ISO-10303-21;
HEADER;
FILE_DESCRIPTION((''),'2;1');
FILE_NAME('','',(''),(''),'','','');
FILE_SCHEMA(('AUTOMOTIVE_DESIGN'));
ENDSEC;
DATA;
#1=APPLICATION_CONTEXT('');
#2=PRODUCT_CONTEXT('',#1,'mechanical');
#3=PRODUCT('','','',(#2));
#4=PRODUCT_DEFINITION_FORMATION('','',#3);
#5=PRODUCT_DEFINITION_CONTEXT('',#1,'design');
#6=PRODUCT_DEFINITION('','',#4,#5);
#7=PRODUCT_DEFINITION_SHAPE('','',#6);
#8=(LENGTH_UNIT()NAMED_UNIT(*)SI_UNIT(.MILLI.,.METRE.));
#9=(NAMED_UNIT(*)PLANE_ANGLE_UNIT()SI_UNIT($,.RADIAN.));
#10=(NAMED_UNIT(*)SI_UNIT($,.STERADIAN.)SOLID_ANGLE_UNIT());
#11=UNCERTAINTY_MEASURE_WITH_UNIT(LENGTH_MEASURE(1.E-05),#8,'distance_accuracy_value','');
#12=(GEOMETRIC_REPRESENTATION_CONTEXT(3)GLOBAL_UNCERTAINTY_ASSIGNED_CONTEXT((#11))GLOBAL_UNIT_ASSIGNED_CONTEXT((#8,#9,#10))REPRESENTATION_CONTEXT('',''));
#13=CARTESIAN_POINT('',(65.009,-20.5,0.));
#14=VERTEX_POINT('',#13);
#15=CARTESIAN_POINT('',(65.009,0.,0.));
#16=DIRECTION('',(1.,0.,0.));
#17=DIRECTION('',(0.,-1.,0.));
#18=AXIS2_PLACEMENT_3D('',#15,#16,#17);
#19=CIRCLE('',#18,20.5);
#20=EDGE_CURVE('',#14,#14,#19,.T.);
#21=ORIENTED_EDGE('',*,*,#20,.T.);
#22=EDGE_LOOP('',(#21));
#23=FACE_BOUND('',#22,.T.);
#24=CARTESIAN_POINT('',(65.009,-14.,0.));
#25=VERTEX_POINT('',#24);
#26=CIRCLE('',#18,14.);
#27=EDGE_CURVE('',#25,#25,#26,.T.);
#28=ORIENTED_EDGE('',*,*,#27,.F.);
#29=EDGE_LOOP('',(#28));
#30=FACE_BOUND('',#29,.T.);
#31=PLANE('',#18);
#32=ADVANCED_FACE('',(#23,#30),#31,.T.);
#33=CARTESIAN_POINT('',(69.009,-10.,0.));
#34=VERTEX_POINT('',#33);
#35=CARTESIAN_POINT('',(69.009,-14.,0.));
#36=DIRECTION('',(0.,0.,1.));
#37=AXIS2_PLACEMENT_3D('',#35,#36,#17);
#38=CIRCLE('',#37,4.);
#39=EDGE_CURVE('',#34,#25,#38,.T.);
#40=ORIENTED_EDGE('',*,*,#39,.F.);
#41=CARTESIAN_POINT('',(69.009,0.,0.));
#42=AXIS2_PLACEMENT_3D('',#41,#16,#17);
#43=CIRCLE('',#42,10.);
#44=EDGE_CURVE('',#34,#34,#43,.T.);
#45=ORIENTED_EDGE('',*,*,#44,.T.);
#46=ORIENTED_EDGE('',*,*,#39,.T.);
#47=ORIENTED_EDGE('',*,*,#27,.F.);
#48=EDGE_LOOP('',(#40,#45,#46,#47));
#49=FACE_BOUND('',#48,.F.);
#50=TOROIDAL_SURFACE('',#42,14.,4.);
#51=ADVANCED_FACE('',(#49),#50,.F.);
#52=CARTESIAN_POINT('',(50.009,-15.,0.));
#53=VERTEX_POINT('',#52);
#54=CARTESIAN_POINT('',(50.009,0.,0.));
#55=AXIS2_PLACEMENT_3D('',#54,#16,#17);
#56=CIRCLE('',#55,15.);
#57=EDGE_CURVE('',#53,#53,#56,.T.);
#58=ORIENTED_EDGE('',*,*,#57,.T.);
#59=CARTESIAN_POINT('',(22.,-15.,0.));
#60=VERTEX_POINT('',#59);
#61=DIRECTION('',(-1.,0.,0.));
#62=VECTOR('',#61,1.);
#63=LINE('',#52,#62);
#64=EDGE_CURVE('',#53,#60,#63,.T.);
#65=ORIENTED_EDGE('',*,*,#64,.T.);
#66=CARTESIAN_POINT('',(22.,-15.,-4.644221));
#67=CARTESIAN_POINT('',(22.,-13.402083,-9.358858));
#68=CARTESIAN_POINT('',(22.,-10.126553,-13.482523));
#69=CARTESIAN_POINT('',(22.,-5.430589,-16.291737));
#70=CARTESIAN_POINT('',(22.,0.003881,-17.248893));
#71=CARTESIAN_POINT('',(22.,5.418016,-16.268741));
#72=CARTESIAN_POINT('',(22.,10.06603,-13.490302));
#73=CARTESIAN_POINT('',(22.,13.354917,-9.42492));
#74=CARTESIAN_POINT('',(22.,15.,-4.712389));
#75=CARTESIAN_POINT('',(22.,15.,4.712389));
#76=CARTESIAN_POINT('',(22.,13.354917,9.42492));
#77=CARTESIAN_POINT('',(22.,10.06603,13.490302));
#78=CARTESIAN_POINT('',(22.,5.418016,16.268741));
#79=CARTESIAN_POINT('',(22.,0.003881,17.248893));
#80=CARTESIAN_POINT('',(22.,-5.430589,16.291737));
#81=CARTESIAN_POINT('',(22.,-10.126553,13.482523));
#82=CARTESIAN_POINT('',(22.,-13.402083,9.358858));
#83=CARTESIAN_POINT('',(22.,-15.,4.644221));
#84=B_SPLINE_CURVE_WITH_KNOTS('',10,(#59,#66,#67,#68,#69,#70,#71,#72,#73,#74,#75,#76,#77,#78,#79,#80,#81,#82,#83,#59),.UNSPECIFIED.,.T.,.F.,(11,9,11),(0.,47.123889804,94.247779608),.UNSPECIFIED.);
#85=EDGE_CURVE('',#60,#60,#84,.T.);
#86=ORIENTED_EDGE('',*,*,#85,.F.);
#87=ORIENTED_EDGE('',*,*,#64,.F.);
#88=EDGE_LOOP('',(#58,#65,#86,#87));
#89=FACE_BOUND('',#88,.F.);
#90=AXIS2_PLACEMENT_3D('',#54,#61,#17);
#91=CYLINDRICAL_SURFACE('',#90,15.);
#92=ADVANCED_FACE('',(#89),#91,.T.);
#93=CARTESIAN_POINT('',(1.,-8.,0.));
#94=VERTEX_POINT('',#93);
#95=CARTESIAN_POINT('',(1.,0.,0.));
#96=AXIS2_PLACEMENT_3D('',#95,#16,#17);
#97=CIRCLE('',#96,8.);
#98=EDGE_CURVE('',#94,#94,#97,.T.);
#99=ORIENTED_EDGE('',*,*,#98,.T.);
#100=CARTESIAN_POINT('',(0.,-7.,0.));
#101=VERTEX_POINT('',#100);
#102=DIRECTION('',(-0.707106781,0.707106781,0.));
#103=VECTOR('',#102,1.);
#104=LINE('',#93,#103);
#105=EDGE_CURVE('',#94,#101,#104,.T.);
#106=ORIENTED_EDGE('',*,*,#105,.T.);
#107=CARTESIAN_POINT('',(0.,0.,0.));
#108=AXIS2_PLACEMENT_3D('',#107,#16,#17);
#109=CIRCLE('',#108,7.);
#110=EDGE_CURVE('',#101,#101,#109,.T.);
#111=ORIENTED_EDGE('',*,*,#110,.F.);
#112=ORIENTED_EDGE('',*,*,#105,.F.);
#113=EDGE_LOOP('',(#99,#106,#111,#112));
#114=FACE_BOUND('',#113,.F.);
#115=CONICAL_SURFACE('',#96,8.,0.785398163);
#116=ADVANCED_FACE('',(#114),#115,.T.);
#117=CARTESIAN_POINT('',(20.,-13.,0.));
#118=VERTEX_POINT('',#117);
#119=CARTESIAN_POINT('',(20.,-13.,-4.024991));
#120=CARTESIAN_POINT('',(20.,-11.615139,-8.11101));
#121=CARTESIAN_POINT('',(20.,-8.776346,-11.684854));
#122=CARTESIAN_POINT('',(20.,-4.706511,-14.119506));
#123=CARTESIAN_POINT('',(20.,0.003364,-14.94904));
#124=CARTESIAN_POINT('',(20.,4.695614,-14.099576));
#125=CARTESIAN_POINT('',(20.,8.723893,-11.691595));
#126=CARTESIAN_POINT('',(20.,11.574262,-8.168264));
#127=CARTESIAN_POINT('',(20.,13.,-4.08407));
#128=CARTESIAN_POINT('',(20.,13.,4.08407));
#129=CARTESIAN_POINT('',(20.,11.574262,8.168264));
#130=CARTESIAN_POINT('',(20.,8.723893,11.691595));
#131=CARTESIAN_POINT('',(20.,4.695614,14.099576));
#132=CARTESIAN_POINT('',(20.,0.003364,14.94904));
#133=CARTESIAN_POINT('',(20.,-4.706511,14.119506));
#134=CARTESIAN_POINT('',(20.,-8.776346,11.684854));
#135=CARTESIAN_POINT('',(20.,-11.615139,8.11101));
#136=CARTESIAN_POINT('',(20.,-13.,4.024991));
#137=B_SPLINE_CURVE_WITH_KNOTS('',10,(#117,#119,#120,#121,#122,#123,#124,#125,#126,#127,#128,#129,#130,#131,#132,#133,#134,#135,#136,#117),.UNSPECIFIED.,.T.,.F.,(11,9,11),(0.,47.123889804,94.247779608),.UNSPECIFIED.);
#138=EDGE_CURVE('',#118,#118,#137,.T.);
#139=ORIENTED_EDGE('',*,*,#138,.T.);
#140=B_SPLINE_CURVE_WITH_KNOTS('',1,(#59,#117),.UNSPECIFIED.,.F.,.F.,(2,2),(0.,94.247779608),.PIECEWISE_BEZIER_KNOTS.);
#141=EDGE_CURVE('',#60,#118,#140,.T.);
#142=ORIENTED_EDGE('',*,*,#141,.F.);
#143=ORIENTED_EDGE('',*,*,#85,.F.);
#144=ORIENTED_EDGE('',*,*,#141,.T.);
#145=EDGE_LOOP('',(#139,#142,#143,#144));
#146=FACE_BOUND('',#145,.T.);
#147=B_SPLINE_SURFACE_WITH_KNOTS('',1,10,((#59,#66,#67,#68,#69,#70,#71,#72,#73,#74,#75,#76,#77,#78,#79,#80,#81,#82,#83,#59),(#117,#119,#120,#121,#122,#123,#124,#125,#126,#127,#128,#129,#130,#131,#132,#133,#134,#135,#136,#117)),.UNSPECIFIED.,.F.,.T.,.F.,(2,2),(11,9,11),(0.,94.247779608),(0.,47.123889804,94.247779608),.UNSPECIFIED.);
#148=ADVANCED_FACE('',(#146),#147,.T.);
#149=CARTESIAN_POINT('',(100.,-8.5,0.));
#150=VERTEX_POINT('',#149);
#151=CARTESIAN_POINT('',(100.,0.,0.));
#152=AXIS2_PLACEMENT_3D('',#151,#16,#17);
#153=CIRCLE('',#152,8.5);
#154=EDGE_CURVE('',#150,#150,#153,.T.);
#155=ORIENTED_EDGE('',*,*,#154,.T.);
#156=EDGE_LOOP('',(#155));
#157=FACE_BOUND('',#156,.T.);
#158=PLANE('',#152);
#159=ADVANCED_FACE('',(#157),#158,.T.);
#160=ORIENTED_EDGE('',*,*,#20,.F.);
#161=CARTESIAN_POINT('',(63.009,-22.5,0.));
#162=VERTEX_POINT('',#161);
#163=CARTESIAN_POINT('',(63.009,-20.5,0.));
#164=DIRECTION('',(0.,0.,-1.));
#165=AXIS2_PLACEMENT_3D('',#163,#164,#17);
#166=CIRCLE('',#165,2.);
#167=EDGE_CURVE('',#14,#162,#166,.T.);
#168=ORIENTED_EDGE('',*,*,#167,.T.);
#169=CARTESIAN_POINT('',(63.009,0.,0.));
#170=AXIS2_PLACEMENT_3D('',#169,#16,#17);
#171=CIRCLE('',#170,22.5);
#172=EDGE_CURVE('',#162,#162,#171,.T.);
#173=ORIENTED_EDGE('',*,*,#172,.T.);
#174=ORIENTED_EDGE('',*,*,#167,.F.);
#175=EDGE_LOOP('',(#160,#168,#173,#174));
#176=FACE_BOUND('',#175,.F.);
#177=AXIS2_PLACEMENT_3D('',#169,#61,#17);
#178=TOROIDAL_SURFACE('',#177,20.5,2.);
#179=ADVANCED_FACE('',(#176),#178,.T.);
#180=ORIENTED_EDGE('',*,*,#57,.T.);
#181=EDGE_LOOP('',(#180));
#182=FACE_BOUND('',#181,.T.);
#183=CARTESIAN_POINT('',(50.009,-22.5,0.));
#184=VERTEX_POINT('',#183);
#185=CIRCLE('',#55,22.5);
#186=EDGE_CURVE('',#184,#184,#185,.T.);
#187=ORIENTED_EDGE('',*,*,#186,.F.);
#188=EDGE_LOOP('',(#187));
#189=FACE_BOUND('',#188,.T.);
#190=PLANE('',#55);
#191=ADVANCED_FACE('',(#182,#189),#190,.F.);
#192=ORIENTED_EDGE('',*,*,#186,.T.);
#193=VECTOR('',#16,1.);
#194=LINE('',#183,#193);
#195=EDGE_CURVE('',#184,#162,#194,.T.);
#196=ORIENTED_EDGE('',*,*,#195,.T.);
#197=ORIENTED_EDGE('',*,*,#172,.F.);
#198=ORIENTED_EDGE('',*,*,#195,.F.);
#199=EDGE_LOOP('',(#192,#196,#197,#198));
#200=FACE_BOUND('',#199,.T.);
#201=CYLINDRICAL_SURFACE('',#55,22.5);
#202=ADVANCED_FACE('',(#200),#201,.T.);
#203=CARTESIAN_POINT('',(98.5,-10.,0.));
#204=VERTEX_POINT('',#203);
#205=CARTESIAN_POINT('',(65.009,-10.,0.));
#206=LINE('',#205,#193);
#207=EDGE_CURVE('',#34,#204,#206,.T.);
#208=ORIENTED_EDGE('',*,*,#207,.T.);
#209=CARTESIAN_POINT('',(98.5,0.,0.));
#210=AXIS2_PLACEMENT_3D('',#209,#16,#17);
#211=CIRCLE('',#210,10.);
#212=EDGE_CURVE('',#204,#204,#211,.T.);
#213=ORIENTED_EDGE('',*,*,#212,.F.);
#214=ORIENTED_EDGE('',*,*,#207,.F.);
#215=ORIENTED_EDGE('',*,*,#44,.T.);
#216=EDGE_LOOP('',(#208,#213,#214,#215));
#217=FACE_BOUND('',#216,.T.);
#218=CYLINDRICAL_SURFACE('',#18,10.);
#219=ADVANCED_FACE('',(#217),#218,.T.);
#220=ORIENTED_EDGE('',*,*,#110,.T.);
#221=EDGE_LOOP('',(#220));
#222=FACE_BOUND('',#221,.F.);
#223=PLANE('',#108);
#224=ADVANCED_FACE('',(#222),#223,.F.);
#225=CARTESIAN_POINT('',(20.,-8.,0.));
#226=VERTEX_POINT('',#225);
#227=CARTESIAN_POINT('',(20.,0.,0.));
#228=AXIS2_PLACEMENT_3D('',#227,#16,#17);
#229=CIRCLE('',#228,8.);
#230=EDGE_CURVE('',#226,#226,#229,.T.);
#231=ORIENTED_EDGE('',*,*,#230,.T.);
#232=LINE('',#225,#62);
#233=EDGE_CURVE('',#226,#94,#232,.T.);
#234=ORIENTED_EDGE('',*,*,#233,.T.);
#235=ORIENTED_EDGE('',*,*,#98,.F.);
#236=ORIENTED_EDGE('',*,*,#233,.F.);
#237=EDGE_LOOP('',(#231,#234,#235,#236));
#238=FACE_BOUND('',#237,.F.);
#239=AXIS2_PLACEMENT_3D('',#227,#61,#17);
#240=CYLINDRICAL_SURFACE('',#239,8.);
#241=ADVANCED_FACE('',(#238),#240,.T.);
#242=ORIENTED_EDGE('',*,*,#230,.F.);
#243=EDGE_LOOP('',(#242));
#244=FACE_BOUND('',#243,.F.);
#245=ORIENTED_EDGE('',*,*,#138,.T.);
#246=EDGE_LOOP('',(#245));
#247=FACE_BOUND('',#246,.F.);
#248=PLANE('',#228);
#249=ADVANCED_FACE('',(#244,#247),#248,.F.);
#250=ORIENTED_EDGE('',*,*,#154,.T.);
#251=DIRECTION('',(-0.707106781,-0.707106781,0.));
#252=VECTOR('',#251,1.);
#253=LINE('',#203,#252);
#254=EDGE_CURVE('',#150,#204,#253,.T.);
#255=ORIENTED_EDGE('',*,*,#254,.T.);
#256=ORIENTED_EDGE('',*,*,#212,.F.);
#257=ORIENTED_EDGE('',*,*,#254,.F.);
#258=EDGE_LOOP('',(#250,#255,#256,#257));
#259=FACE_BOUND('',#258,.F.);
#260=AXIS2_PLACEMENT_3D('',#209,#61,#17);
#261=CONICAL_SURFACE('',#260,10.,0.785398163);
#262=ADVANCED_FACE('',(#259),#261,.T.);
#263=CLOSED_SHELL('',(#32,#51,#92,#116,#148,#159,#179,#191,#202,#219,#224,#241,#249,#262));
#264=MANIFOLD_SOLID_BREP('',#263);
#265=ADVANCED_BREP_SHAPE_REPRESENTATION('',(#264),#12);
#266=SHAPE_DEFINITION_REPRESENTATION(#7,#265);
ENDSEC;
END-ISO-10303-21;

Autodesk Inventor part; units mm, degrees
ref_plane "YZ Plane" through (0, 0, 0) normal (1, 0, 0) x (0, 1, 0)
ref_plane "XZ Plane" through (0, 0, 0) normal (0, 1, 0) x (-1, 0, 0)
ref_plane "XY Plane" through (0, 0, 0) normal (0, 0, 1) x (1, 0, 0)
sketch "Sketch1" plane through (0, 0, 0) normal (0, 0, 1) x (1, 0, 0)
  line L0 (100, 10) -> (100, 0)
  line L1 (50.009, 15) -> (20.009, 15)
  line L2 (20.009, 15) -> (20.009, 15)
  line L3 (20.009, 15) -> (20, 15)
  line L4 (20, 15) -> (20, 8)
  line L5 (20, 8) -> (0, 8)
  line L6 (0, 8) -> (0, 0)
  line L7 (50.009, 15) -> (50.009, 22.5)
  line L8 (50.009, 22.5) -> (65.009, 22.5)
  line L9 (65.009, 22.5) -> (65.009, 10)
  line L10 (65.009, 10) -> (100, 10)
  line L11 (100, 10) -> (100, 10)
  line L12 (0, 0) -> (100, 0)
  dimension "d0" = 100
  dimension "d5" = 20
  dimension "d6" = 30
  dimension "d7" = 20
  dimension "d8" = 45
  dimension "d9" = 30
  dimension "d10" = 16
  dimension "d11" = 15
revolve "Revolution1" add sketch "Sketch1" angle 360 mid plane about axis through (0, 0, 0) along (1, 0, 0)
chamfer "Chamfer1" distance 1.5 angle 45 1 edges at (100, 10, 0)
fillet "Fillet1" radius 4 1 edges at (65.009, 10, 0)
fillet "Fillet2" radius 2 1 edges at (65.009, 22.5, 0)
chamfer "Chamfer2" distance 2 angle 45 1 edges at (20, 15, 0)
chamfer "Chamfer3" distance 1 angle 45 1 edges at (0, 8, 0)
